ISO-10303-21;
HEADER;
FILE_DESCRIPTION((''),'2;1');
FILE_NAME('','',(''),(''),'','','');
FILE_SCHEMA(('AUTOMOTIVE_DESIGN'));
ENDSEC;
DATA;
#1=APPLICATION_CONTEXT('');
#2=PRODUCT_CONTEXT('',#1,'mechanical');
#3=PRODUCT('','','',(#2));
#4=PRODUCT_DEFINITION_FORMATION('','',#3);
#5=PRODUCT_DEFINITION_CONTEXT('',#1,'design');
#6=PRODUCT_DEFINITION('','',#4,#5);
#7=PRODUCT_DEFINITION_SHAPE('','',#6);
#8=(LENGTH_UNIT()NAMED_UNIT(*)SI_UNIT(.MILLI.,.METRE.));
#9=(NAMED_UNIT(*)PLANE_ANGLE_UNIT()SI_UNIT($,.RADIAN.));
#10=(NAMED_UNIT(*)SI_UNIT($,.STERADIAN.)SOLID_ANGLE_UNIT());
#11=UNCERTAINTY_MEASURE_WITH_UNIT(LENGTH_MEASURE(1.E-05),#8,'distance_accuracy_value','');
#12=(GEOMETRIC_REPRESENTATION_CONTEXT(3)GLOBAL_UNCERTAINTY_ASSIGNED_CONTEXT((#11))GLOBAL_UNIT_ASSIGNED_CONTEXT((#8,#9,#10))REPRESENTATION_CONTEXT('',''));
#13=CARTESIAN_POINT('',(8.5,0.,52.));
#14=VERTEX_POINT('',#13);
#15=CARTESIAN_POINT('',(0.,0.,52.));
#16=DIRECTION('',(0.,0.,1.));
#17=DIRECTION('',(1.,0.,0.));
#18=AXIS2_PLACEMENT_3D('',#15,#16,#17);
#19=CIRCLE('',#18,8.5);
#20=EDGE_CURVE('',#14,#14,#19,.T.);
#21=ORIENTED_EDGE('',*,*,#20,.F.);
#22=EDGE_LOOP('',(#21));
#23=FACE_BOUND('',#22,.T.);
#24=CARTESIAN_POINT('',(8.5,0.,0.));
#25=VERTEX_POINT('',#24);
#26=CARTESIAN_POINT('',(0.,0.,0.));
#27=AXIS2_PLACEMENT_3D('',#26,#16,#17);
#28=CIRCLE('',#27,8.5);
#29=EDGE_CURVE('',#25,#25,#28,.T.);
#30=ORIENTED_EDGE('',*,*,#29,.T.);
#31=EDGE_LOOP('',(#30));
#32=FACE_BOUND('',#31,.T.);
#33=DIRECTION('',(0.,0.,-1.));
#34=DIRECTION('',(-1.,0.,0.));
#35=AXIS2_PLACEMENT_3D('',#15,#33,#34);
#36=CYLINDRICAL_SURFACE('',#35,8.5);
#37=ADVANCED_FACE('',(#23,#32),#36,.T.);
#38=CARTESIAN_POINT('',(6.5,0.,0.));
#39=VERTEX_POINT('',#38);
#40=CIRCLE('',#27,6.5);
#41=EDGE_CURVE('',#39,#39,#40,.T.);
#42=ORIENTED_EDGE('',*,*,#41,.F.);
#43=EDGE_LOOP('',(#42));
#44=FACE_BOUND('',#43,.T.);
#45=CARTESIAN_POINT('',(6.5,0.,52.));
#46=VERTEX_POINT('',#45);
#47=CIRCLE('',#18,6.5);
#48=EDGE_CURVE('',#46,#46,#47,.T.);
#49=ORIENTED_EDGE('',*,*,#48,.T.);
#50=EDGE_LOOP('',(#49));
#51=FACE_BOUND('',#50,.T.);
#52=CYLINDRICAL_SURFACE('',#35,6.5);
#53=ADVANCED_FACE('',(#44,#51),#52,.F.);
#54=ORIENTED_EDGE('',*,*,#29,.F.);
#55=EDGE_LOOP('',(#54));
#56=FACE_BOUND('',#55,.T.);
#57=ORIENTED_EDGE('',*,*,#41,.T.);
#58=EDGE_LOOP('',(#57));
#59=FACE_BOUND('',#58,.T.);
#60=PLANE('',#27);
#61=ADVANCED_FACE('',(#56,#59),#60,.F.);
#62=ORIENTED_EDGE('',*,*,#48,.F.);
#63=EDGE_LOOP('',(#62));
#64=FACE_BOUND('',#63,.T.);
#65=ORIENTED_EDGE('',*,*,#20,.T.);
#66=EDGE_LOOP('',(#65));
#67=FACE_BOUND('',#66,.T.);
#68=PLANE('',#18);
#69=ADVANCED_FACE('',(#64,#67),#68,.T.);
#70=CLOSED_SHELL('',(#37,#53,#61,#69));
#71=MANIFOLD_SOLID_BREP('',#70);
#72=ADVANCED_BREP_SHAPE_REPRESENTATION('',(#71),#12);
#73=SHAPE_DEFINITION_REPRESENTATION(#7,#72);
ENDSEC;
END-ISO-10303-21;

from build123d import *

# Parameters (mm, degrees)
ESQUISSE1_R          = 8.5
ESQUISSE1_R_2        = 6.5
BASE_EXTRUSION_DEPTH = 52


with BuildPart() as part:
    # Esquisse1 → Base-Extrusion (new body)
    with BuildSketch(Plane.XY):
        Circle(ESQUISSE1_R)
        Circle(ESQUISSE1_R_2, mode=Mode.SUBTRACT)
    extrude(amount=BASE_EXTRUSION_DEPTH)


solid = part.part
